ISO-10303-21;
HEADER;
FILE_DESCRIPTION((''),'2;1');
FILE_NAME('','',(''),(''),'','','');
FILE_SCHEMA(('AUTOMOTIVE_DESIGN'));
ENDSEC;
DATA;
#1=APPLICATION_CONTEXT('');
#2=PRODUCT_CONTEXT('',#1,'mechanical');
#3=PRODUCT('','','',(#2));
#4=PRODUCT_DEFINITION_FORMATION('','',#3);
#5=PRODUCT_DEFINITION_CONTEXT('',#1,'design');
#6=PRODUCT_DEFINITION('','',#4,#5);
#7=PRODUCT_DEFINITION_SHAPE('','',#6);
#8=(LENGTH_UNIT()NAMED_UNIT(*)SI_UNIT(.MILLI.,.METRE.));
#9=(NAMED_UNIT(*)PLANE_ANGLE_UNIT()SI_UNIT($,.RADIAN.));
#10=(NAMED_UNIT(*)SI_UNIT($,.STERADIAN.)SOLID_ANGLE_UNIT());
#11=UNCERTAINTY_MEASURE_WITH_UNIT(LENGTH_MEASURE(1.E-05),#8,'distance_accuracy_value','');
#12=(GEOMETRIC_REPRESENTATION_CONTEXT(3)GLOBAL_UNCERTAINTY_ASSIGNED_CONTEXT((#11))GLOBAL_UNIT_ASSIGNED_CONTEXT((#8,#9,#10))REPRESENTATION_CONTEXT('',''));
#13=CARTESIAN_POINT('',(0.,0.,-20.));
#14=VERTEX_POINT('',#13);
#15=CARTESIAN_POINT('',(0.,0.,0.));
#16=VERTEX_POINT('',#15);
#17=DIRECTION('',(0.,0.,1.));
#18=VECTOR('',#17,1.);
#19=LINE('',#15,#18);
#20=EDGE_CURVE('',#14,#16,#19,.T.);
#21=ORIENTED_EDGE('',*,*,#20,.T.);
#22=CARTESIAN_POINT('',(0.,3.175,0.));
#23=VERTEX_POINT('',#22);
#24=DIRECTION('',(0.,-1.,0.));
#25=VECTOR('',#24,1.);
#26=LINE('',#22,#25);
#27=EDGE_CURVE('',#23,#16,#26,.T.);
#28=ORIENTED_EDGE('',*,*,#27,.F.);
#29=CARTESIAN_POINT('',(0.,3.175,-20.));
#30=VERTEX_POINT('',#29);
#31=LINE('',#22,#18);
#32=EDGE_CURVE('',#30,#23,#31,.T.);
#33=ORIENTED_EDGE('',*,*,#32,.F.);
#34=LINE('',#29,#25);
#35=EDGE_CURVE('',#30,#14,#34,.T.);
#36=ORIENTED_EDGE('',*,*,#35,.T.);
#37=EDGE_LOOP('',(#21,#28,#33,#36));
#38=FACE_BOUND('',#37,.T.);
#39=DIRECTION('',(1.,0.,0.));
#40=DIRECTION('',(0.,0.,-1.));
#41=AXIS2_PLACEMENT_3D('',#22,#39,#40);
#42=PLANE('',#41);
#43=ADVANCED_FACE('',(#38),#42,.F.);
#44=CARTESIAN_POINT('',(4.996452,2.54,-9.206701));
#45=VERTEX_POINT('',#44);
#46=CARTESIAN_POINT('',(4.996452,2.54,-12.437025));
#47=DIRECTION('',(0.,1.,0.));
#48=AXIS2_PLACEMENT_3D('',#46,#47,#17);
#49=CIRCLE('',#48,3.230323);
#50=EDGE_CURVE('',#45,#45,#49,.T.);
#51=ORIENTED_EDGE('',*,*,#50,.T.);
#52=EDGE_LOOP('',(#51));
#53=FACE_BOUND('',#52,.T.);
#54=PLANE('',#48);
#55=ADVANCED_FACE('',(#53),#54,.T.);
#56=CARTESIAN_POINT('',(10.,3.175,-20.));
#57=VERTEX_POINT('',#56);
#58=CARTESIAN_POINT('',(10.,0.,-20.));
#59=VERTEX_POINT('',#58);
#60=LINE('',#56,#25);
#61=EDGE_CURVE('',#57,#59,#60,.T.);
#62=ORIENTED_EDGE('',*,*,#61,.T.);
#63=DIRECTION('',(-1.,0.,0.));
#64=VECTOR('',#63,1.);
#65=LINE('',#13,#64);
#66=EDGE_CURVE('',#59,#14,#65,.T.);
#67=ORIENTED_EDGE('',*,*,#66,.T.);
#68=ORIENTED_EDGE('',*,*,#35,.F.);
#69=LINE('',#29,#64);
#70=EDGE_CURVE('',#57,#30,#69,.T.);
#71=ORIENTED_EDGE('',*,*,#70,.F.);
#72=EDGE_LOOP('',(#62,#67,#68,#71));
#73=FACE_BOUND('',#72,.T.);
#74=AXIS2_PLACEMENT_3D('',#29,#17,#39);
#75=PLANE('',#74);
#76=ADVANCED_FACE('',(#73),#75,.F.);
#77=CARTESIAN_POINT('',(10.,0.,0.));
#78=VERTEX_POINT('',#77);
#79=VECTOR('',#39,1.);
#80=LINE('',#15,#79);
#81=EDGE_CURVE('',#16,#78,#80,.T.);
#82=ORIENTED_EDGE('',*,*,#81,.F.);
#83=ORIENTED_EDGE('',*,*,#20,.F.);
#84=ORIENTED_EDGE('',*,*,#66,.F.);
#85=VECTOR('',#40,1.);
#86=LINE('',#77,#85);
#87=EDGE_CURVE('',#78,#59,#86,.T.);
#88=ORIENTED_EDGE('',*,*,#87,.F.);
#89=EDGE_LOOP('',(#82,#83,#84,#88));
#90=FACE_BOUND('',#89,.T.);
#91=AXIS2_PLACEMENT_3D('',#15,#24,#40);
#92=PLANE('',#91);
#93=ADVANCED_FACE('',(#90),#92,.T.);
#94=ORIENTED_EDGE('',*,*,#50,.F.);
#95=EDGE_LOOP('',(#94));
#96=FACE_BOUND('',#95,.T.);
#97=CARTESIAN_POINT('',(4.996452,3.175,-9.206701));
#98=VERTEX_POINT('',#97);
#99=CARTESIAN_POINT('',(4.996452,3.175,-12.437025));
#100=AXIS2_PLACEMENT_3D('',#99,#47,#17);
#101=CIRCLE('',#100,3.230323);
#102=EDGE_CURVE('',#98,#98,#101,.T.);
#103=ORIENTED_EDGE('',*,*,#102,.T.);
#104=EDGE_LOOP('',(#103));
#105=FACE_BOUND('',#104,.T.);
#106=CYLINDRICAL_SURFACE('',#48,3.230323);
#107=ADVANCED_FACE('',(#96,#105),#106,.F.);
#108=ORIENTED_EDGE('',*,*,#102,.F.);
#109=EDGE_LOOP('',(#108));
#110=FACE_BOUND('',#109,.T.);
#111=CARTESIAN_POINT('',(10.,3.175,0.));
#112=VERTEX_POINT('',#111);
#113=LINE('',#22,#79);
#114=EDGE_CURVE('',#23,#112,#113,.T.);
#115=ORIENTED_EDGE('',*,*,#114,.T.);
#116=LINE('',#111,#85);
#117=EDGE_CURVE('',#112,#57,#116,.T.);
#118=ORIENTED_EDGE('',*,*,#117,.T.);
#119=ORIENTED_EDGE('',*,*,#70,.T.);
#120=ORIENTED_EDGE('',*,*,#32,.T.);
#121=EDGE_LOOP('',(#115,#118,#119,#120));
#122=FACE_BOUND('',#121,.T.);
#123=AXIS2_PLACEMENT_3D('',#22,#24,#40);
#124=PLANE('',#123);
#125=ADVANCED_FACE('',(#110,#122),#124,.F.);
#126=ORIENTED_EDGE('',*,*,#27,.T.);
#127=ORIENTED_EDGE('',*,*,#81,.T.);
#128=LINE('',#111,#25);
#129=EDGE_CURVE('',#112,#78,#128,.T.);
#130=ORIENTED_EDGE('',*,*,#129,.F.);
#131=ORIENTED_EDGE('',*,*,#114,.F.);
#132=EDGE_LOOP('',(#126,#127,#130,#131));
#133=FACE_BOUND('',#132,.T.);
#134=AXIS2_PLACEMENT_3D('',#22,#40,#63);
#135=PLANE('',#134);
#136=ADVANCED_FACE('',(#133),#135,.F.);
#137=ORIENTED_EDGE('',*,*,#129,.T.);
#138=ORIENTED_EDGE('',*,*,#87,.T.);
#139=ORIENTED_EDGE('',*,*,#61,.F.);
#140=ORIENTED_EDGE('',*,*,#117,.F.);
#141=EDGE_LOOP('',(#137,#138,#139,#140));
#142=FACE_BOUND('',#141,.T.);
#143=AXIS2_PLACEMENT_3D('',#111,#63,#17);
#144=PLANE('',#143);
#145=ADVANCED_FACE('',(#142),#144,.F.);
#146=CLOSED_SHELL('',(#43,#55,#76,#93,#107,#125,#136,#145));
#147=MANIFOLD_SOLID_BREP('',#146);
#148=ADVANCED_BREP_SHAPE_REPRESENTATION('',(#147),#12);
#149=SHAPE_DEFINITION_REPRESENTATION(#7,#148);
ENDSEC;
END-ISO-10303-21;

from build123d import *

# Parameters (mm, degrees)
SKETCH1_W           = 10
SKETCH1_H           = 20
BOSS_EXTRUDE1_DEPTH = 3.175
SKETCH2_R           = 3.230323421
CUT_EXTRUDE1_DEPTH  = 0.635


with BuildPart() as part:
    # Sketch1 → Boss-Extrude1 (new body)
    with BuildSketch(Plane(origin=(0, 0, 0), x_dir=(1, 0, 0), z_dir=(0, 1, 0))):
        with Locations((5, 10)):
            Rectangle(SKETCH1_W, SKETCH1_H)
    extrude(amount=BOSS_EXTRUDE1_DEPTH)

    # Sketch2 → Cut-Extrude1 (cut)
    with BuildSketch(Plane(origin=(0, 3.175, 0), x_dir=(1, 0, 0), z_dir=(0, 1, 0))):
        with Locations((4.996452047, 12.437024889)):
            Circle(SKETCH2_R)
    extrude(amount=-CUT_EXTRUDE1_DEPTH, mode=Mode.SUBTRACT)


solid = part.part
